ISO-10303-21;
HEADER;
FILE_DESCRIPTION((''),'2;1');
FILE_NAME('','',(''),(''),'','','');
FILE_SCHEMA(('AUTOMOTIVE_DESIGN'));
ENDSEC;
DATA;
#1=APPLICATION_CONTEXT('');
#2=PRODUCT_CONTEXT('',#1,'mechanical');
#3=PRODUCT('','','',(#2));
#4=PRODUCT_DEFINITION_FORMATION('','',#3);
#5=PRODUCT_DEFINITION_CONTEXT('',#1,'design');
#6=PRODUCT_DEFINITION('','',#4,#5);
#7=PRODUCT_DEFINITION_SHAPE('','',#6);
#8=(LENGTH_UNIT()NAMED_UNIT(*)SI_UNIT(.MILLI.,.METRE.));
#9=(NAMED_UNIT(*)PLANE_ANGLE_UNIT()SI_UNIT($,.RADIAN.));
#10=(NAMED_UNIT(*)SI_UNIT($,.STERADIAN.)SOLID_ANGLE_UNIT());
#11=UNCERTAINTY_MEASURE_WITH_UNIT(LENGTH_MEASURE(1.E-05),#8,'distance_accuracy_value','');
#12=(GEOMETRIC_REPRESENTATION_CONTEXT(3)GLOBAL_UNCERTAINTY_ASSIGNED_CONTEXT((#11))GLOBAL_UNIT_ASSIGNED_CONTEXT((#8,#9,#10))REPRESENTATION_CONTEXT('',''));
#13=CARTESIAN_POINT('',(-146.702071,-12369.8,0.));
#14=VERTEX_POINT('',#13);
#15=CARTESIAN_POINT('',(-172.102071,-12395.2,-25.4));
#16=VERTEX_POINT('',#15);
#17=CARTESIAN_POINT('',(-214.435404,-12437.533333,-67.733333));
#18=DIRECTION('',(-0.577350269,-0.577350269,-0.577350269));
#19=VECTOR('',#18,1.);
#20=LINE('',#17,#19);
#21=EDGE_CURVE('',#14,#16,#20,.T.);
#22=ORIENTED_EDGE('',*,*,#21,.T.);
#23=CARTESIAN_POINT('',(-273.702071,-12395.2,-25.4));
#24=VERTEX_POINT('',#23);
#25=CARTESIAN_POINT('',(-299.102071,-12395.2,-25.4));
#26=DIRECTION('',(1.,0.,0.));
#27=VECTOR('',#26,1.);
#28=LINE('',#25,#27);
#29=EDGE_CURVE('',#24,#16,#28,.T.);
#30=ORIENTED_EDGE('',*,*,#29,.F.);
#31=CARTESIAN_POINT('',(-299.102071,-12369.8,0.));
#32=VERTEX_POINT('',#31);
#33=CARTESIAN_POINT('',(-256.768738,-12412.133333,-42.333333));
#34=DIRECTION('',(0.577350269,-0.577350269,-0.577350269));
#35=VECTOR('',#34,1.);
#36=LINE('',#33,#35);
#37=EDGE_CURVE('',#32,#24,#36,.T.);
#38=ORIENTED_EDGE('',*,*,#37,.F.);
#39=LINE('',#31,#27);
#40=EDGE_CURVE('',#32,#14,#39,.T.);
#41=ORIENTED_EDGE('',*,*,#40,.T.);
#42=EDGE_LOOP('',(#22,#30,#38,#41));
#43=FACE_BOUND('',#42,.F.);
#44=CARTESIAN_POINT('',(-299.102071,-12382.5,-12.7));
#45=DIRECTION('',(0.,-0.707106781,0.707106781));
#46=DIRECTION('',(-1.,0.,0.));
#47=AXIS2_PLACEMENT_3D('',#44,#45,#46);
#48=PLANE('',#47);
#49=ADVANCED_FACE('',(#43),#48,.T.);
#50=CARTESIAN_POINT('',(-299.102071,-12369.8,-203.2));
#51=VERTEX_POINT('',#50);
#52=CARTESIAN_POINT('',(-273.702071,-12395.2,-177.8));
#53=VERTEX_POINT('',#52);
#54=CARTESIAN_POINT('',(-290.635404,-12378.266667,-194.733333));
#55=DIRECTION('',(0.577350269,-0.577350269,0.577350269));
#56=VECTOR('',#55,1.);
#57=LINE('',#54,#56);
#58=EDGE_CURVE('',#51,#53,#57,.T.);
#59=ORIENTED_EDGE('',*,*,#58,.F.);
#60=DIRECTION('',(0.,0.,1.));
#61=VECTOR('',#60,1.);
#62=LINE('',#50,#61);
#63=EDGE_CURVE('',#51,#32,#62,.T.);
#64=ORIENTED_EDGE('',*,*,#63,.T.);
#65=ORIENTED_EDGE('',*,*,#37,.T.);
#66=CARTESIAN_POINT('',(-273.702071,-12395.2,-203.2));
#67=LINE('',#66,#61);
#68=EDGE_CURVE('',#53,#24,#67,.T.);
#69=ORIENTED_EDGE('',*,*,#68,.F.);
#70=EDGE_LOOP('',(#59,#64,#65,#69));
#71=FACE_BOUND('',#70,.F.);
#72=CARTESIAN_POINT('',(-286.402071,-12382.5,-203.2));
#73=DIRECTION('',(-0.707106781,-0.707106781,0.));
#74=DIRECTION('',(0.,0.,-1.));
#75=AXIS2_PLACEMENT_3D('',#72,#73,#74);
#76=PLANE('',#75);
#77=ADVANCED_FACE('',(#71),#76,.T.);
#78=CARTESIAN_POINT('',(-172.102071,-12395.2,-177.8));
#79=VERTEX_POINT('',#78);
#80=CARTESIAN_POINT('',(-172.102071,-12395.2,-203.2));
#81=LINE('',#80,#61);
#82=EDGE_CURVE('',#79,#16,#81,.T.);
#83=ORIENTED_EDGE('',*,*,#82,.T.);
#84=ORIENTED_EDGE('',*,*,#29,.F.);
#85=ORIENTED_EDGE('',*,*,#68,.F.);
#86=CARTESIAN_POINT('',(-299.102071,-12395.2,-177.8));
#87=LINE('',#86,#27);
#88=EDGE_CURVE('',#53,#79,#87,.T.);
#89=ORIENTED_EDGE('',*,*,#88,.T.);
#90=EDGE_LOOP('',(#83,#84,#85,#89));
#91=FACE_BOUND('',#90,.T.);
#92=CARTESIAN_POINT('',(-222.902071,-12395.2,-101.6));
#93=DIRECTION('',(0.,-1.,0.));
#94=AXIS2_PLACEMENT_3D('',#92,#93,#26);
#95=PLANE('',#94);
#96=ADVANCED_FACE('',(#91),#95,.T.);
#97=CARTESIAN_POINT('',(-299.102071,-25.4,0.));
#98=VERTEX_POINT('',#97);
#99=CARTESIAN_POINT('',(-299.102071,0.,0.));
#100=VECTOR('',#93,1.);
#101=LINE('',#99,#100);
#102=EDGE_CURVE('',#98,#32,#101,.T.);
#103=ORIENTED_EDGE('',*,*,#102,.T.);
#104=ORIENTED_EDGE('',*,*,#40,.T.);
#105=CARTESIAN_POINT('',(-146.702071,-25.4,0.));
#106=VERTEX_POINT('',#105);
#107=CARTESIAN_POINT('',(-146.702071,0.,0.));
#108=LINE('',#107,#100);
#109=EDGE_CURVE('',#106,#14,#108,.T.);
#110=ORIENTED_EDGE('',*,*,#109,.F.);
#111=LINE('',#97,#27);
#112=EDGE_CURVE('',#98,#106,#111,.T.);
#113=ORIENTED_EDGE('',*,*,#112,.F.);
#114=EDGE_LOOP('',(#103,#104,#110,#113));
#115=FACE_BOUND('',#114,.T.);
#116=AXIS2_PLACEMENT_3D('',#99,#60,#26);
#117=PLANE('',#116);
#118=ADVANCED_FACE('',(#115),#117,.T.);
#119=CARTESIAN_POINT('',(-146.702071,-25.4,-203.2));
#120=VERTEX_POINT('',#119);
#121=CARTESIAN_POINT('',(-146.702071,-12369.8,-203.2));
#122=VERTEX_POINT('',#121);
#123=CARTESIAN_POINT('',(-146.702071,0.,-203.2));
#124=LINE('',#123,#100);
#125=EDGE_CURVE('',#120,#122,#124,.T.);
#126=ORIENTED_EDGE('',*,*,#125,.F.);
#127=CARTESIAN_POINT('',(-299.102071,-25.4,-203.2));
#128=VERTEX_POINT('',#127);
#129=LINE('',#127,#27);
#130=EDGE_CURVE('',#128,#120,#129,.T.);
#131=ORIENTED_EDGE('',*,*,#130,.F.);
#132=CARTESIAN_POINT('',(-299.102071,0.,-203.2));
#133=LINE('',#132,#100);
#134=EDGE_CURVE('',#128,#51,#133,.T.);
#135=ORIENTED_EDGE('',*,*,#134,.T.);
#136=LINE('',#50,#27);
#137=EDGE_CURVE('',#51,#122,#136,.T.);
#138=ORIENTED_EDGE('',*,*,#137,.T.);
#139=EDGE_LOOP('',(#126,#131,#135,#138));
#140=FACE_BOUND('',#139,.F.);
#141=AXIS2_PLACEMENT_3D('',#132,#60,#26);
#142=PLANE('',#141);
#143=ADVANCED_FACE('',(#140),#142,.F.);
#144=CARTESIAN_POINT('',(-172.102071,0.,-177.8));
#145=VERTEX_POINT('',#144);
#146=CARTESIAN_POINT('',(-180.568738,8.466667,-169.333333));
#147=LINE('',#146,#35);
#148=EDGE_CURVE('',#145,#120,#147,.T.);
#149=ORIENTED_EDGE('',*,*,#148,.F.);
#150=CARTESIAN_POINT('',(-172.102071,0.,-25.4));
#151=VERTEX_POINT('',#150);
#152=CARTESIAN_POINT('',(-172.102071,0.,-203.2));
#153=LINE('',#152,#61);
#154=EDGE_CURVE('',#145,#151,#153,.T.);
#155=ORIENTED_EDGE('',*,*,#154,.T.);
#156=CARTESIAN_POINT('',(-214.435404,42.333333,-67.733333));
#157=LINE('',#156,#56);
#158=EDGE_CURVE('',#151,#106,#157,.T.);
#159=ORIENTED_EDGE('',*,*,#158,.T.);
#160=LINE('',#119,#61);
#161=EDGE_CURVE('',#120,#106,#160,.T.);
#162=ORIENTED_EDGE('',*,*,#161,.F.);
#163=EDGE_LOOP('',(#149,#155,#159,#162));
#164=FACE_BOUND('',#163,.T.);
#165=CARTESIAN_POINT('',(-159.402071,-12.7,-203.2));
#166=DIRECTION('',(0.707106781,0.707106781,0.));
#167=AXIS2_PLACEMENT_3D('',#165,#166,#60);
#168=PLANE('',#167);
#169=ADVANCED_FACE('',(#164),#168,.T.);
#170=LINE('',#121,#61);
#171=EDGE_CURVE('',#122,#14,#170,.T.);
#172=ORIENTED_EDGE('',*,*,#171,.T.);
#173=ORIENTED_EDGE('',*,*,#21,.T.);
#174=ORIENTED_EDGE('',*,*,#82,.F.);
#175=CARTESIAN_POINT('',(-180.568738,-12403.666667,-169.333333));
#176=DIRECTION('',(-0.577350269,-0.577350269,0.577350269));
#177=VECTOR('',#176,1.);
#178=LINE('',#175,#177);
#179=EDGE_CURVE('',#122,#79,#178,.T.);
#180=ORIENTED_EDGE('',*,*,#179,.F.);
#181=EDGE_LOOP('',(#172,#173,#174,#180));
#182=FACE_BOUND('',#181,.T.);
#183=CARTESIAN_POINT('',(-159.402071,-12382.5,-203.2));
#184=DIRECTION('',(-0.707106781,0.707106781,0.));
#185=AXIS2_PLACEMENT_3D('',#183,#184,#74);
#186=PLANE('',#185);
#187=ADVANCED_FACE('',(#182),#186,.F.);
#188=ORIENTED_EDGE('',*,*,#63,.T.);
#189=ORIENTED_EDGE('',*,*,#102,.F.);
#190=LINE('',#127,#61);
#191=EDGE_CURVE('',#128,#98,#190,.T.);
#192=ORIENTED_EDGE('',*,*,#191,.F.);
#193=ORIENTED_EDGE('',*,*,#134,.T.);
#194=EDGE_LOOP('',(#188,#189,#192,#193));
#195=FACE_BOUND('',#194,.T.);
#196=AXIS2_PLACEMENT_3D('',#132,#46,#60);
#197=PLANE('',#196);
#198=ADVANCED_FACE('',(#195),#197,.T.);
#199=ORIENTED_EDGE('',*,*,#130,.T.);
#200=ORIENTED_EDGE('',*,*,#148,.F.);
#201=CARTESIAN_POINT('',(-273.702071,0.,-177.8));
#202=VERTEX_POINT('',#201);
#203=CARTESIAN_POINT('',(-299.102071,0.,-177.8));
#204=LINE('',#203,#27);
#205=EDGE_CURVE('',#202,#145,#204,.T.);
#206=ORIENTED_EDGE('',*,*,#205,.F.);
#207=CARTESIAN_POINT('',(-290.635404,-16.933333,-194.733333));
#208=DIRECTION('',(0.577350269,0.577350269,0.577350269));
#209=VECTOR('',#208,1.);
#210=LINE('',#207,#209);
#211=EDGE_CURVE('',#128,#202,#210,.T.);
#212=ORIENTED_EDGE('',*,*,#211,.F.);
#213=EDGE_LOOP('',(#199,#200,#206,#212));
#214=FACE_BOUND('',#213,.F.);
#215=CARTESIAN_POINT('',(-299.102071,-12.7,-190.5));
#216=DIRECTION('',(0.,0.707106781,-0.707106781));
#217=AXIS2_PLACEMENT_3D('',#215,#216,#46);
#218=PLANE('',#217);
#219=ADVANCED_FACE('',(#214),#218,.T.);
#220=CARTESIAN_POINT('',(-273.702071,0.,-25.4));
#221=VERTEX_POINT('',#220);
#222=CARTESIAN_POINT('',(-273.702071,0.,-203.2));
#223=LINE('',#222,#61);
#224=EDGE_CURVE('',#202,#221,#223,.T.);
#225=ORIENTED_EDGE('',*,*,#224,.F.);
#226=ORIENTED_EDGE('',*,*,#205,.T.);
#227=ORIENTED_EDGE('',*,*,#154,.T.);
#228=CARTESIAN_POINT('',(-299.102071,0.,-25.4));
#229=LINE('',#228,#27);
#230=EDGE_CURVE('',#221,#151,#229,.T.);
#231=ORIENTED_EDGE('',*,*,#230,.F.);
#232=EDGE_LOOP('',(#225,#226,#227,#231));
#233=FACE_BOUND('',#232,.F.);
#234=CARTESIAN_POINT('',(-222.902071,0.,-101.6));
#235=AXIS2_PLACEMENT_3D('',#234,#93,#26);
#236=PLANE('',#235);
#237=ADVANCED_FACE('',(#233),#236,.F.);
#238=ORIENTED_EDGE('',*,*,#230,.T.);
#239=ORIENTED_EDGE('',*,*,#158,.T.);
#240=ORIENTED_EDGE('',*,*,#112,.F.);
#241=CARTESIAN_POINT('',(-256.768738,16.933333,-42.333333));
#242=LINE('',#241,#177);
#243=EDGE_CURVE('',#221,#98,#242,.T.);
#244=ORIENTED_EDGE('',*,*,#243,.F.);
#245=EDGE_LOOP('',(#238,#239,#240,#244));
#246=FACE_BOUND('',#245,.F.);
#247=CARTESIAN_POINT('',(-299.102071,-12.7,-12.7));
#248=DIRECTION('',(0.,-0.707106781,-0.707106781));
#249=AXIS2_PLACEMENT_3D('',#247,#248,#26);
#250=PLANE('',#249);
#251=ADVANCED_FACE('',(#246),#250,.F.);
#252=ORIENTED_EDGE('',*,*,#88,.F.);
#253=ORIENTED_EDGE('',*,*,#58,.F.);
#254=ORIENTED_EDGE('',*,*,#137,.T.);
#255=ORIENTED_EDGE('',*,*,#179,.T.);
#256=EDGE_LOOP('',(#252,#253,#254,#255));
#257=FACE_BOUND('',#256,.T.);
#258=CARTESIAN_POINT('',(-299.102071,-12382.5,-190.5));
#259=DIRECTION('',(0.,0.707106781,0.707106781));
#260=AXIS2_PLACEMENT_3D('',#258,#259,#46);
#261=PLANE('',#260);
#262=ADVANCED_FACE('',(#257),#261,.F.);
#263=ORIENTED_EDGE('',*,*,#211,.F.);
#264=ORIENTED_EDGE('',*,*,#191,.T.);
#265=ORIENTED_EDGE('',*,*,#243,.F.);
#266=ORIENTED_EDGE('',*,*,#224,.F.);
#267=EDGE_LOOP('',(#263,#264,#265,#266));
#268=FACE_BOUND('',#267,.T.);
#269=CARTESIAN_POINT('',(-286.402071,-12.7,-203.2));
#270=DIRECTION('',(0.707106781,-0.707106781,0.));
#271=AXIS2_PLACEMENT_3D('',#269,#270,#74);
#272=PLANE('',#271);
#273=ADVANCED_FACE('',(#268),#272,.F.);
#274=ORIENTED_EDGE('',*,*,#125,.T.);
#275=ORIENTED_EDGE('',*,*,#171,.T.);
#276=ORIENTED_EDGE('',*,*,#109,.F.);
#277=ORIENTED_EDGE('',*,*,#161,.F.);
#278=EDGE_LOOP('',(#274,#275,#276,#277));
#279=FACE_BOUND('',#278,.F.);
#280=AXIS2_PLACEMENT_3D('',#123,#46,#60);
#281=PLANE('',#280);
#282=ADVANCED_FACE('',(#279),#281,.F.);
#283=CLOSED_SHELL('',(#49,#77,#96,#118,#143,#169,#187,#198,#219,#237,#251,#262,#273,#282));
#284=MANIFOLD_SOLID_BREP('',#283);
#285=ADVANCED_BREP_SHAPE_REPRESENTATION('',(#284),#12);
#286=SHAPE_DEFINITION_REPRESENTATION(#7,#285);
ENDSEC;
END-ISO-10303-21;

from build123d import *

# Parameters (mm, degrees)
F0_W     = 152.4
F0_H     = 203.2
F1_DEPTH = 12395.2
F2_SIZE  = 25.4
F3_SIZE  = 25.4


with BuildPart() as f1:
    # F0 (on Front) → F1 (new body)
    with BuildSketch(Plane.XZ):
        with Locations((-222.902071, -101.6)):
            Rectangle(F0_W, F0_H)
    extrude(amount=F1_DEPTH)

    # F2
    f2_edges = [f1.edges().sort_by_distance(p)[0] for p in [
        (-146.702071, -12395.2, -101.6),
        (-222.902071, -12395.2, 0),
        (-299.102071, -12395.2, -101.6),
        (-222.902071, -12395.2, -203.2),
    ]]
    chamfer(f2_edges, length=F2_SIZE)

    # F3
    f3_edges = [f1.edges().sort_by_distance(p)[0] for p in [
        (-222.902071, 0, 0),
        (-146.702071, 0, -101.6),
        (-222.902071, 0, -203.2),
        (-299.102071, 0, -101.6),
    ]]
    chamfer(f3_edges, length=F3_SIZE)


solid = f1.part
